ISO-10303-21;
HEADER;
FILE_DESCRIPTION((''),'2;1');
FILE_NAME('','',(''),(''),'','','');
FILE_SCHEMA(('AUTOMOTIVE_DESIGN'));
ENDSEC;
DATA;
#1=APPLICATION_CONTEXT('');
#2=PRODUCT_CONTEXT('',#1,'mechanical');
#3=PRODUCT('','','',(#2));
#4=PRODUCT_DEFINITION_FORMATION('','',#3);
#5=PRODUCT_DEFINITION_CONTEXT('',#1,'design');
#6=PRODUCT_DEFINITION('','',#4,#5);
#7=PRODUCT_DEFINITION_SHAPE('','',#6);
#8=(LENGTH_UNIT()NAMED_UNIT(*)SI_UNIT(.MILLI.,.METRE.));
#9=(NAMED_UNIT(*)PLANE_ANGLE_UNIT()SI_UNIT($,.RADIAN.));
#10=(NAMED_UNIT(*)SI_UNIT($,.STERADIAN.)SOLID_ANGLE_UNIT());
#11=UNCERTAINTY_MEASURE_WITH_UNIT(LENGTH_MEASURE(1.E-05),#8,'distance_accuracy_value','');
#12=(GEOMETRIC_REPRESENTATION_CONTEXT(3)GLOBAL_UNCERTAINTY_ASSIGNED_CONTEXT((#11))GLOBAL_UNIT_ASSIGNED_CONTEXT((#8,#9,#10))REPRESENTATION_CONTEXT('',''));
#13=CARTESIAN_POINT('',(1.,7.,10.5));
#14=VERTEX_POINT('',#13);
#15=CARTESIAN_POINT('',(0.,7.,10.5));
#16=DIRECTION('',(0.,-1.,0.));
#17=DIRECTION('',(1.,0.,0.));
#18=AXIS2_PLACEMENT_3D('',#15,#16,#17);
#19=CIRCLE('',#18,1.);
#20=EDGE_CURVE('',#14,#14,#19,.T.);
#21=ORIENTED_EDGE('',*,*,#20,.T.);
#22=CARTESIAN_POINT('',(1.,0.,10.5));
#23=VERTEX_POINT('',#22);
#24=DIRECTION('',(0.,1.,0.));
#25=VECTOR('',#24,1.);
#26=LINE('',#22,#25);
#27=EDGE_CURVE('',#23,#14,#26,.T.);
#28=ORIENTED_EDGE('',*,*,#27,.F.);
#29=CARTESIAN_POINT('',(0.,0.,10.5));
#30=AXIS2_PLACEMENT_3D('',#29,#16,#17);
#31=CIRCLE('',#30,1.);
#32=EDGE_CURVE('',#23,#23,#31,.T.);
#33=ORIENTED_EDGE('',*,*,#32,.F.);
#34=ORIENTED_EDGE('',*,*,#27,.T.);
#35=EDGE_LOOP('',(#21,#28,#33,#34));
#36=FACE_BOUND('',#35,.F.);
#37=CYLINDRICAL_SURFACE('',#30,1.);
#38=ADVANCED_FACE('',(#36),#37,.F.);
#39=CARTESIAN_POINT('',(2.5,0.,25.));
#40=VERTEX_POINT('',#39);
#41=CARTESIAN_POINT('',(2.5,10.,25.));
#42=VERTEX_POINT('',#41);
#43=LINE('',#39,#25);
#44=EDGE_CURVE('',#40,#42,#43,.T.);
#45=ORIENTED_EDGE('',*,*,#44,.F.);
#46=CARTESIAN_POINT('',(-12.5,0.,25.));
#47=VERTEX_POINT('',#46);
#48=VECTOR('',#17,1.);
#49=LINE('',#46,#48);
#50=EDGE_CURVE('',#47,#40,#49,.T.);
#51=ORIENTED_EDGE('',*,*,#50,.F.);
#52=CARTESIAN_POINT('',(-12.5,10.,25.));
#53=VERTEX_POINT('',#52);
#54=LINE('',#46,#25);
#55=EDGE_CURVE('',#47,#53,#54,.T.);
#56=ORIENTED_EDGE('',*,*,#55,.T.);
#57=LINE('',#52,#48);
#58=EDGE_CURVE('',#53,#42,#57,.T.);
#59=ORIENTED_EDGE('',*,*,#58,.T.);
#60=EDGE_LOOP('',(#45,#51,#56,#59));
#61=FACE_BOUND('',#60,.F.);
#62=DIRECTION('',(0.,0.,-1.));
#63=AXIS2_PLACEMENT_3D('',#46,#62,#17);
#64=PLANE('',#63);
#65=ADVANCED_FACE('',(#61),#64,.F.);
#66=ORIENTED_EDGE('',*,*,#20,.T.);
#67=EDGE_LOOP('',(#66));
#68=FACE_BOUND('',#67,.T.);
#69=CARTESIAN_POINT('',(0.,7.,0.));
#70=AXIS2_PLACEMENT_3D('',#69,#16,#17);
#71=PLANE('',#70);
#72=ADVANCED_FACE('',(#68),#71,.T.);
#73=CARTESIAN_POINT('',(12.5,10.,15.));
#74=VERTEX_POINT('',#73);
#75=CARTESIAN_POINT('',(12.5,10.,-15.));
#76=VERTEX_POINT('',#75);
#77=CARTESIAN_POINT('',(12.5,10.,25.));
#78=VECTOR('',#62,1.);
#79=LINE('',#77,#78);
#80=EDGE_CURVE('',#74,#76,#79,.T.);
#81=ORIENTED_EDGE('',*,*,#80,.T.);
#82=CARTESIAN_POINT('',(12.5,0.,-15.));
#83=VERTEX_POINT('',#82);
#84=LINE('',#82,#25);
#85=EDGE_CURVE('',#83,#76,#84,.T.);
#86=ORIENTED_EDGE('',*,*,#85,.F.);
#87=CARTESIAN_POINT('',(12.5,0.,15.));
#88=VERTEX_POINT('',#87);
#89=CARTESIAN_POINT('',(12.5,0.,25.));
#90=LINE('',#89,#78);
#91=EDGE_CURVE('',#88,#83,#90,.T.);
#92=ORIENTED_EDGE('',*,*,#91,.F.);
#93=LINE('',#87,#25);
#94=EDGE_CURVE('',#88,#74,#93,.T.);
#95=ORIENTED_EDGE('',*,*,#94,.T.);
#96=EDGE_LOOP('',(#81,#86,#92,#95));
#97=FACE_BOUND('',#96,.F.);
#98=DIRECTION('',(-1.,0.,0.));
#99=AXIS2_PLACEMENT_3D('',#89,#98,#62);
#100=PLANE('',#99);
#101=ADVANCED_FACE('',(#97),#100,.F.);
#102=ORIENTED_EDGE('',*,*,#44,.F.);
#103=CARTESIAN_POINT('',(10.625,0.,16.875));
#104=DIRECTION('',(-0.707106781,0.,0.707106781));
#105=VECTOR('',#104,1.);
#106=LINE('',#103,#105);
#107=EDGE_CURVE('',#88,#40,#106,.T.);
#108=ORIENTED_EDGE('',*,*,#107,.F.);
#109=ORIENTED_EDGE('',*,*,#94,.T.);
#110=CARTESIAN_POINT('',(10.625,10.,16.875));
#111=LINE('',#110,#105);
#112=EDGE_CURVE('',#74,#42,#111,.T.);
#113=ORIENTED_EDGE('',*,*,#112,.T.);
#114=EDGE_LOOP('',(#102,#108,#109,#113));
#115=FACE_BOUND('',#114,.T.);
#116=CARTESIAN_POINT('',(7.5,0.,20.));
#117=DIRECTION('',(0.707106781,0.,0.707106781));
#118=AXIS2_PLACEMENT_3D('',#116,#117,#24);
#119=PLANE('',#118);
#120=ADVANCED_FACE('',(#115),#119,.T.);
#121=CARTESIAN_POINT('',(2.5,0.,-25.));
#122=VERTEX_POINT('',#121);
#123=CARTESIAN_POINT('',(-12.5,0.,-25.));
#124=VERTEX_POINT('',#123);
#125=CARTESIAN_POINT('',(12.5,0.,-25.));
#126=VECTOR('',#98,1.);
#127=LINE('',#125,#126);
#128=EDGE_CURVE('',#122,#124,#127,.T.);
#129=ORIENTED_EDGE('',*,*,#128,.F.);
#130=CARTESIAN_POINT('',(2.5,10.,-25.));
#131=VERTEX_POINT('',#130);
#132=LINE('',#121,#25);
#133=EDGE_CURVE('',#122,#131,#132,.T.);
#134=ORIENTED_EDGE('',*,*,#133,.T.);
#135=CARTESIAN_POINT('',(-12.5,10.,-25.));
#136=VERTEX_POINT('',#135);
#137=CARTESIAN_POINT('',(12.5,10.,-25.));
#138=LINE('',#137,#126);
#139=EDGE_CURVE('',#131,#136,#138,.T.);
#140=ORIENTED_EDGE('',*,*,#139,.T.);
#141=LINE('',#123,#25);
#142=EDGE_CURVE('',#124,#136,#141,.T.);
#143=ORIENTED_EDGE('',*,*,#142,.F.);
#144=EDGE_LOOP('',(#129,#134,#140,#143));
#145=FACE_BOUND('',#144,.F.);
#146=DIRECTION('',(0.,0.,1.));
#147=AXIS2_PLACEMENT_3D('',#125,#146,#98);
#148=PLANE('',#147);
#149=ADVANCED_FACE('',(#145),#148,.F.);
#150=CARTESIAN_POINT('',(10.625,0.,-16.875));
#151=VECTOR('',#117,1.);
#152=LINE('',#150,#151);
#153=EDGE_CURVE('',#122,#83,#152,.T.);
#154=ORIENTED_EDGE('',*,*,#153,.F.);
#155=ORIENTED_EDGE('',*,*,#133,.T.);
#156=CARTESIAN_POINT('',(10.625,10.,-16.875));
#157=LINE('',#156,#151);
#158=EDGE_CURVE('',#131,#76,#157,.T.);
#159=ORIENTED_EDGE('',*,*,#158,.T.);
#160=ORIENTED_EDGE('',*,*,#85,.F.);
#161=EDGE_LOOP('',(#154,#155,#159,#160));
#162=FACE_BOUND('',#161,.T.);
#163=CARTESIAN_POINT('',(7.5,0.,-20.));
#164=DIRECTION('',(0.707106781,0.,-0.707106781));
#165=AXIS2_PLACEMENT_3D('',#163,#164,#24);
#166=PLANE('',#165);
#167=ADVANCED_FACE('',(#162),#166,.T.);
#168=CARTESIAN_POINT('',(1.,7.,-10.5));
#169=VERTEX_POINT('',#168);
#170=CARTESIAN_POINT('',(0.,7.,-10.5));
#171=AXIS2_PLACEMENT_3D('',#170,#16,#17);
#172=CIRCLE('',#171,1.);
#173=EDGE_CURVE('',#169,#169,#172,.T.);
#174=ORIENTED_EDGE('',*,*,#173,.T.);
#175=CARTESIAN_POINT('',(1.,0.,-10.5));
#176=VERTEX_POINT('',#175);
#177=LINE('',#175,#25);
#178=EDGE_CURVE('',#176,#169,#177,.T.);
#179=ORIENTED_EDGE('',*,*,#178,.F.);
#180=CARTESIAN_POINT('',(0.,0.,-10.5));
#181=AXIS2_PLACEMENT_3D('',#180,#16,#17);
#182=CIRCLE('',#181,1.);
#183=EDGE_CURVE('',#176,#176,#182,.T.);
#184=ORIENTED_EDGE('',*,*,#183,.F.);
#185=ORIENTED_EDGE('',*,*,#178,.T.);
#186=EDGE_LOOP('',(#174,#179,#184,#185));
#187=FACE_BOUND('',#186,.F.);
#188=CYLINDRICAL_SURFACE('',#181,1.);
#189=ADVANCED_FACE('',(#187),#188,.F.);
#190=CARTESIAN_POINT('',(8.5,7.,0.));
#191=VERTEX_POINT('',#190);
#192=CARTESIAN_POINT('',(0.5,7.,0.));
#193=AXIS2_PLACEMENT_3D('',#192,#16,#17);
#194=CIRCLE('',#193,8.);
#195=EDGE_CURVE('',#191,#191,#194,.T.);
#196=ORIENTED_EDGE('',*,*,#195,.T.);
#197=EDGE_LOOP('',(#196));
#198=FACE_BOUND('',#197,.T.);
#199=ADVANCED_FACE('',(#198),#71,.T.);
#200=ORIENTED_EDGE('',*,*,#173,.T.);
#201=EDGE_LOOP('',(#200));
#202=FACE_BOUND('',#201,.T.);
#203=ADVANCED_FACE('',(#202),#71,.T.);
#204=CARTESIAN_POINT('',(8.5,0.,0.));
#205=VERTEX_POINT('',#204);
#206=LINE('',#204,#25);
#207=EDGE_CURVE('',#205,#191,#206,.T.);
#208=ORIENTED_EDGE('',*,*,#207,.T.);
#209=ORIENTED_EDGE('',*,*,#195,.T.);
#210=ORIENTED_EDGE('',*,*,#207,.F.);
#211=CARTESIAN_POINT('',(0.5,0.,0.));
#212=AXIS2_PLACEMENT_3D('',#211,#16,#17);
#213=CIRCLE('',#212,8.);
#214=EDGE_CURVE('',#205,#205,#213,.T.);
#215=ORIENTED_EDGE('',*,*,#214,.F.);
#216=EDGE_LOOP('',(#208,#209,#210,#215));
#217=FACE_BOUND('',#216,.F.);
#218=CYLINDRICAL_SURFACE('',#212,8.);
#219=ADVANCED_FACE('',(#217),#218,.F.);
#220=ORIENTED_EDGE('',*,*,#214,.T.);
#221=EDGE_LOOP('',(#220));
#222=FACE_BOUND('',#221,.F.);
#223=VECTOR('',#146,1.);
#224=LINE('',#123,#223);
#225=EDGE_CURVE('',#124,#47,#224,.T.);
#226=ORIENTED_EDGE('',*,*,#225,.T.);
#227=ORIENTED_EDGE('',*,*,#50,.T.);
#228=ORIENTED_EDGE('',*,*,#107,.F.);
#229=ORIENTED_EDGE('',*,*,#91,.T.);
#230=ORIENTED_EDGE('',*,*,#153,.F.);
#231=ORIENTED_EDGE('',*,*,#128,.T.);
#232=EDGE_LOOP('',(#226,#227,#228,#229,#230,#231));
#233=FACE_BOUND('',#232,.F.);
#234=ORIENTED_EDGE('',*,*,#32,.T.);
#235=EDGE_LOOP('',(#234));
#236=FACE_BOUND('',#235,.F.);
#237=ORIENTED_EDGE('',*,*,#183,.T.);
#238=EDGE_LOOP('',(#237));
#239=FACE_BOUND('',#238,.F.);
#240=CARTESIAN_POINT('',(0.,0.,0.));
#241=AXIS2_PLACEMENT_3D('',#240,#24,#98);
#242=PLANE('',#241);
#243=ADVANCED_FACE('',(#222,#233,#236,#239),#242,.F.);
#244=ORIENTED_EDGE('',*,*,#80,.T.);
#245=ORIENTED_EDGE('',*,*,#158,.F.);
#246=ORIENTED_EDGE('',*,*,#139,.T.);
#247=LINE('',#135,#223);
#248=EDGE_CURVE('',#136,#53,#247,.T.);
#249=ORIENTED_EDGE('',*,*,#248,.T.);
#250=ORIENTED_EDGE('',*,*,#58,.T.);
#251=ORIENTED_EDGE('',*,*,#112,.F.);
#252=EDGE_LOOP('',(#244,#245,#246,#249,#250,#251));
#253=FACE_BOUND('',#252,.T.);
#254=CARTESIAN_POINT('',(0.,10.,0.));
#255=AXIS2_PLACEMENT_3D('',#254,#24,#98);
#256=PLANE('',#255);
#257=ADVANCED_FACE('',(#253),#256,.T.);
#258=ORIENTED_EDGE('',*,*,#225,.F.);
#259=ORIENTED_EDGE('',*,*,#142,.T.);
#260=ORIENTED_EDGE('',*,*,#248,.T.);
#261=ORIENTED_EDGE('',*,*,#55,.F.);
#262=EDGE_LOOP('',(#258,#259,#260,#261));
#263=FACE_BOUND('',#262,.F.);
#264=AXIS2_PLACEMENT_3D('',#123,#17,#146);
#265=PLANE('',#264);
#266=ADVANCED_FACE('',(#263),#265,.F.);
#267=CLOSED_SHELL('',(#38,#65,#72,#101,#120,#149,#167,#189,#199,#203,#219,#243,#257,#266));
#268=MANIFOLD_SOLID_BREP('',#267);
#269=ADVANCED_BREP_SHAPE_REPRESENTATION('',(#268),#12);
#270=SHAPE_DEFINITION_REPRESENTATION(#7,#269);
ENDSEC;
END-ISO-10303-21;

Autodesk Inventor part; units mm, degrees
ref_plane "YZ Plane" through (0, 0, 0) normal (1, 0, 0) x (0, 1, 0)
ref_plane "XZ Plane" through (0, 0, 0) normal (0, 1, 0) x (-1, 0, 0)
ref_plane "XY Plane" through (0, 0, 0) normal (0, 0, 1) x (1, 0, 0)
sketch "스케치1" plane through (0, 0, 0) normal (0, 1, 0) x (-1, 0, 0)
  line L0 (12.5, 25) -> (-12.5, 25)
  line L1 (-12.5, 25) -> (-12.5, -25)
  line L2 (-12.5, -25) -> (12.5, -25)
  line L3 (12.5, -25) -> (12.5, 25)
  line L4 (12.5, 25) -> (-12.5, -25) construction
  line L5 (-12.5, 25) -> (12.5, -25) construction
  point P0 (0, 0)
  dimension "d0" = 50
  dimension "d1" = 25
extrude "돌출1" add sketch "스케치1" along normal blind 10
chamfer "모따기1" distance 10 angle 45 2 edges at (12.5, 5, -25) (12.5, 5, 25)
sketch "스케치2" plane through (0, 0, 0) normal (0, -1, 0) x (1, 0, 0)
  circle A0 centre (0.5, 0) radius 8
  line L0 (12.5, 15) -> (12.5, -15) projected
  point P0 (0, 0)
  point P1 (12.5, 0)
  point P2 (12.5, 0)
  dimension "d7" = 16
  dimension "d8" = 12
extrude "돌출2" cut sketch "스케치2" against normal blind 7
sketch "스케치3" plane through (0, 0, 0) normal (0, -1, 0) x (1, 0, 0)
  circle A0 centre (0, 10.5) radius 1
  line L0 (0, 0) -> (5.1796, 0)
  circle A1 centre (-10.5, 0) radius 1
  circle A2 centre (0, -10.5) radius 1
  circle A3 centre (10.5, 0) radius 1
  dimension "d11" = 2
  dimension "d18" = 360
  dimension "d20" = 21
extrude "돌출3" cut sketch "스케치3" against normal blind 7 contours A0 | A2
properties part number "책상 고정 판"
